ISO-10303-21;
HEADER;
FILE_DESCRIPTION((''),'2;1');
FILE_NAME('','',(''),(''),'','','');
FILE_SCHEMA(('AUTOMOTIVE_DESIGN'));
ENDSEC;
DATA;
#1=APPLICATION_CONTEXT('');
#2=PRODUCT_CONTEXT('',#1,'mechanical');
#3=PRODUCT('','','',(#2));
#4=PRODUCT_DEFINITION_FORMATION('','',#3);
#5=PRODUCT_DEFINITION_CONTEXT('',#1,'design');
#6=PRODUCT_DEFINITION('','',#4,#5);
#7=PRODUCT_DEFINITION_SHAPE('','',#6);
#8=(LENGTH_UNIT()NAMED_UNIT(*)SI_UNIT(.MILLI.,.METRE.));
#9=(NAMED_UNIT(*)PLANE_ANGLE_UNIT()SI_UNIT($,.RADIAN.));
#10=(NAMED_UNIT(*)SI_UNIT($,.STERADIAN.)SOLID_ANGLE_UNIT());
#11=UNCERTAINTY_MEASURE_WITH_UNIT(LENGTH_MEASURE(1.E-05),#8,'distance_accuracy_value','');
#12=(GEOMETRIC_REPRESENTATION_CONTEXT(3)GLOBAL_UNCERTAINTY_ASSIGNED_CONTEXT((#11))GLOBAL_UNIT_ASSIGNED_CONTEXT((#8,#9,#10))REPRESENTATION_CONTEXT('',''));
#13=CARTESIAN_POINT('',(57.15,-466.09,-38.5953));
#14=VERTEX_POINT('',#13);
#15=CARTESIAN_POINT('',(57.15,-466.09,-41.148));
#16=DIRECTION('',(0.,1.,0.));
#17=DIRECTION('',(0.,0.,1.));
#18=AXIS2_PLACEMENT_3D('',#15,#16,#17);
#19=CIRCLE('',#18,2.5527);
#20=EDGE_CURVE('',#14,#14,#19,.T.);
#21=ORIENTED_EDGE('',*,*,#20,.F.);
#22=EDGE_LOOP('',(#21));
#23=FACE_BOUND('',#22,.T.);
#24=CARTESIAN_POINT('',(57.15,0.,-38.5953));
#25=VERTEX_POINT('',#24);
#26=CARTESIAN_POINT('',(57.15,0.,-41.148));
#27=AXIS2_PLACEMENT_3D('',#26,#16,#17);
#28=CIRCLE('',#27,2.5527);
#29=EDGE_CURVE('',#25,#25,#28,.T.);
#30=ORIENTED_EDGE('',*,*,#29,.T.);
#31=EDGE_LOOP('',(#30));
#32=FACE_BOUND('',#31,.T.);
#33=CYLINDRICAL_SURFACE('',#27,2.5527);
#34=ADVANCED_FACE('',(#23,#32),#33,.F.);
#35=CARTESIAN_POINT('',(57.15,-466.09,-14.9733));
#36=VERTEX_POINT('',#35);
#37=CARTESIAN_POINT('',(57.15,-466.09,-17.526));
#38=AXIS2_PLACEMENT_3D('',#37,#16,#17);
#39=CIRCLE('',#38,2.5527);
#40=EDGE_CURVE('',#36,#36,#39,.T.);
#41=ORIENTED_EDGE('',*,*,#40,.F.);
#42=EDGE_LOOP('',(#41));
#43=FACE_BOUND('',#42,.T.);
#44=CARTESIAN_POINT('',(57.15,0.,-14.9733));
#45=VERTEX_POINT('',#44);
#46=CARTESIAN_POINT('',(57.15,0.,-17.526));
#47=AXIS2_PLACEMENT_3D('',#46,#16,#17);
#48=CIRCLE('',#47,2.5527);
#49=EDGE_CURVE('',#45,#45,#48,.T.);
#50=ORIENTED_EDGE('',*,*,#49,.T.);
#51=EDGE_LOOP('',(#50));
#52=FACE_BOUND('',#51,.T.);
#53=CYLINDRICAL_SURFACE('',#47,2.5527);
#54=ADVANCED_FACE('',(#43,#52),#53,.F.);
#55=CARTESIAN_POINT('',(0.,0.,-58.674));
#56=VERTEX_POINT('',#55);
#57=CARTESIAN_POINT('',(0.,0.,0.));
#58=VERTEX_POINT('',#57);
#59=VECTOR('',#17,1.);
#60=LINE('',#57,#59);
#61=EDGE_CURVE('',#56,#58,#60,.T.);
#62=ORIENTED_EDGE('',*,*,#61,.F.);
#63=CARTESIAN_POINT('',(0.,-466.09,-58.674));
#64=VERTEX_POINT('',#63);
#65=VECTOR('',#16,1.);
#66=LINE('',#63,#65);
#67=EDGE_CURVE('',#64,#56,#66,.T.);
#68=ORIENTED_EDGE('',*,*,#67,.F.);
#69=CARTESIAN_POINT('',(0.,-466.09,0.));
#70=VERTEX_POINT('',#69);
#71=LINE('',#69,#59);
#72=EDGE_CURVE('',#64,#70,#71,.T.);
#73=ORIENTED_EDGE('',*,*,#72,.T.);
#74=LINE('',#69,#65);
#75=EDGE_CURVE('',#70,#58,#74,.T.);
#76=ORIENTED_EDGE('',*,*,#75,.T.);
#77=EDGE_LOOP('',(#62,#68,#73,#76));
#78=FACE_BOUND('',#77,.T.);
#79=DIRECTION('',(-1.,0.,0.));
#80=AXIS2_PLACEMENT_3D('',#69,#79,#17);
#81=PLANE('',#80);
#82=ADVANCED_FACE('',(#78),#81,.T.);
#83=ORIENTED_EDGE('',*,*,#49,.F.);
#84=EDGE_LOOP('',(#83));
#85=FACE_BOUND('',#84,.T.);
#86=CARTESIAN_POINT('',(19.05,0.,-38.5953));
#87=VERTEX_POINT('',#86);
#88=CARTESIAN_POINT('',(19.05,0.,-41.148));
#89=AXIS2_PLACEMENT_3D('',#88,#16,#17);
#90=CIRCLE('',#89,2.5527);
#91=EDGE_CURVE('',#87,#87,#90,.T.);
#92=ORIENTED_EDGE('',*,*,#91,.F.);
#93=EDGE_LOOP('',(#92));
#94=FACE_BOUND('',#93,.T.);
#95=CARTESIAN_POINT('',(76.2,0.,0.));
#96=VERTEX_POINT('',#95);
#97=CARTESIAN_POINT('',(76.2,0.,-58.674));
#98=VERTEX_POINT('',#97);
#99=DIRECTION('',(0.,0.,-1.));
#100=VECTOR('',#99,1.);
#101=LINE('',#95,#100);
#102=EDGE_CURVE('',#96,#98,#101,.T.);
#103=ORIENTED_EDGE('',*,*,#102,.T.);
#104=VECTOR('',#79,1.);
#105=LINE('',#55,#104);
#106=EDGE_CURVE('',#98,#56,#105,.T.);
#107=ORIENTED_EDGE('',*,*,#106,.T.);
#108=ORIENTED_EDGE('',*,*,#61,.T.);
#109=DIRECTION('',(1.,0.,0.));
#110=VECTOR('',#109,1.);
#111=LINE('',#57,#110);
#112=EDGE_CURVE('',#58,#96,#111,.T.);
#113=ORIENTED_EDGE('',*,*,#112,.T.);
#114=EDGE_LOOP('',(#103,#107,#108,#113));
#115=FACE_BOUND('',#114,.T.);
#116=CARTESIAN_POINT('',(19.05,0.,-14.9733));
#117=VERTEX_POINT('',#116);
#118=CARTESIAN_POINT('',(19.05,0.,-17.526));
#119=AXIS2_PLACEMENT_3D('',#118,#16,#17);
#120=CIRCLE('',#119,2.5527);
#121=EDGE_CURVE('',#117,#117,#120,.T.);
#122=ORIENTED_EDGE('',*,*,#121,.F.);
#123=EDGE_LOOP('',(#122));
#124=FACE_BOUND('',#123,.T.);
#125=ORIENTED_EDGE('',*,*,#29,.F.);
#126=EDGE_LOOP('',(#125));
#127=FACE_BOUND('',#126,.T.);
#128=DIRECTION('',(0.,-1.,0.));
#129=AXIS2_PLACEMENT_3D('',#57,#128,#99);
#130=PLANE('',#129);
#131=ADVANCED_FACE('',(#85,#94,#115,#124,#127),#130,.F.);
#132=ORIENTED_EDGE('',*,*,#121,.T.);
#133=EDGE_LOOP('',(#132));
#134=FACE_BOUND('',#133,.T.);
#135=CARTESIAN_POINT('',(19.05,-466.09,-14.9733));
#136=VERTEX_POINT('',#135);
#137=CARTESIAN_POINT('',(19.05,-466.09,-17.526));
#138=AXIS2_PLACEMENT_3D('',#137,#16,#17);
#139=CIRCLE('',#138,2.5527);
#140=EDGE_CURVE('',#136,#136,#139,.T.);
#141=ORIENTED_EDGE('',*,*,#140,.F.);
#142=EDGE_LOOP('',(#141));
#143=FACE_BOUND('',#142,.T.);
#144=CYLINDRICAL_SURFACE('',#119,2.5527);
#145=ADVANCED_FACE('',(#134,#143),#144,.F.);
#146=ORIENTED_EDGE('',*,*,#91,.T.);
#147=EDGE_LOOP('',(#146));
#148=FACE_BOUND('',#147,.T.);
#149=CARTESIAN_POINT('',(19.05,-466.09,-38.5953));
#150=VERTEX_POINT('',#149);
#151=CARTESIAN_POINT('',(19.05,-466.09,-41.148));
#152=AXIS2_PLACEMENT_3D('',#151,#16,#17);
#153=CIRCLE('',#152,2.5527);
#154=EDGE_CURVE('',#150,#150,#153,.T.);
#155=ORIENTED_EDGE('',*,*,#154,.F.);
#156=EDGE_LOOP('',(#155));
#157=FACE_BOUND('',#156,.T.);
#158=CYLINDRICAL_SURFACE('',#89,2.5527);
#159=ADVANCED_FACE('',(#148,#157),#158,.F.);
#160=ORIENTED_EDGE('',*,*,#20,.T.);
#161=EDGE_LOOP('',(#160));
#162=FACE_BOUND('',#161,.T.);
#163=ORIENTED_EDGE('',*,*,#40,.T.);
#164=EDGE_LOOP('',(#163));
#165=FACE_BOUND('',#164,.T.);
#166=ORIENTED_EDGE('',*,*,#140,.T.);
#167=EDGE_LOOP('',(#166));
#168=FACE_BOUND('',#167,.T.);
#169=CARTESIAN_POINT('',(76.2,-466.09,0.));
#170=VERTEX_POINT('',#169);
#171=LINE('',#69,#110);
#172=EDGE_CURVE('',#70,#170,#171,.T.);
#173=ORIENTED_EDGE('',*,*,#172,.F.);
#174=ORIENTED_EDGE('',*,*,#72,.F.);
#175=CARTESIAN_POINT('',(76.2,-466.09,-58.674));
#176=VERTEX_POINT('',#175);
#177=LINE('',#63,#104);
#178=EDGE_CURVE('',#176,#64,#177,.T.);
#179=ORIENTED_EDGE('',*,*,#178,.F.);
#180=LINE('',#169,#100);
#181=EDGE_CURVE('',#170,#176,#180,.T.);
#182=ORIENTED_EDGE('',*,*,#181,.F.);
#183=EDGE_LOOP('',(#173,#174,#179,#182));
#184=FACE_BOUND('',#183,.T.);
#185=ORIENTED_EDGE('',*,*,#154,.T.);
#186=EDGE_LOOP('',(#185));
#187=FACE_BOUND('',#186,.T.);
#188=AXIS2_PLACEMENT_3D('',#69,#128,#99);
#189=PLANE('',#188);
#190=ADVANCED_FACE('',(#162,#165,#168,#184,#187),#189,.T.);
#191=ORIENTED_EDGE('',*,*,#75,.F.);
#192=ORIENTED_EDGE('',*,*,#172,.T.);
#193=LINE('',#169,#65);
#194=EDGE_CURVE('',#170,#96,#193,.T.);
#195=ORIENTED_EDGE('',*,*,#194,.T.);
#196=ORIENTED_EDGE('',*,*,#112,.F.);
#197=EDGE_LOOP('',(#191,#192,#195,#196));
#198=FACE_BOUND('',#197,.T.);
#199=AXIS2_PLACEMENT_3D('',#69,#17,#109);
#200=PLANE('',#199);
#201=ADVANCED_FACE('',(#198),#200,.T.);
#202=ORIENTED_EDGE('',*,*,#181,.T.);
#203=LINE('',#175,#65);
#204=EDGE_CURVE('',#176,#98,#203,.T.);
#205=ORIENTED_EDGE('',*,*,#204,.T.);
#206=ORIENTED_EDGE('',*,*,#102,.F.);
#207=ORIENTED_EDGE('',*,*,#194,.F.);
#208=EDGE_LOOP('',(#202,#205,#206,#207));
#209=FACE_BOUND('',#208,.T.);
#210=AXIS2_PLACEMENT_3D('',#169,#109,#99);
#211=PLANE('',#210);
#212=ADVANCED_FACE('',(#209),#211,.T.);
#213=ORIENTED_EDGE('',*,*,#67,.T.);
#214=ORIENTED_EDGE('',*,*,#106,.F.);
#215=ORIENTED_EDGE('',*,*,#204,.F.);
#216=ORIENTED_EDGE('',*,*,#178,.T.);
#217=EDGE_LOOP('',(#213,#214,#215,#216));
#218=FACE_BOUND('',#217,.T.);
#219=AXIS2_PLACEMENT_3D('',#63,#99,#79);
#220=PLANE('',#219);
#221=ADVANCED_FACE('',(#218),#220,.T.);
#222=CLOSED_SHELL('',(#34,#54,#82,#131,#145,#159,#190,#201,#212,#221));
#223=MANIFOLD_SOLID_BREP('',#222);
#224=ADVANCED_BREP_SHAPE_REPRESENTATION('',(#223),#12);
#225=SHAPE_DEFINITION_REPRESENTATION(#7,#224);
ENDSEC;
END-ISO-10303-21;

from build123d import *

# Parameters (mm, degrees)
SKETCH1_W               = 76.2
SKETCH1_H               = 58.674
BOSS_EXTRUDE1_DEPTH     = 466.09
F_1_4_20_TAPPED_HOLE1_D = 5.1054


with BuildPart() as part:
    # Sketch1 → Boss-Extrude1 (new body)
    with BuildSketch(Plane(origin=(0, 0, 0), x_dir=(1, 0, 0), z_dir=(0, 1, 0))):
        with Locations((38.1, 29.337)):
            Rectangle(SKETCH1_W, SKETCH1_H)
    extrude(amount=-BOSS_EXTRUDE1_DEPTH)

    # 1/4-20 Tapped Hole1 (through all)
    with Locations(Plane(origin=(57.15, 0, -41.148), x_dir=(0, 0, 1), z_dir=(0, 1, 0))):
        with Locations((0, 0), (23.622, 0), (0, -38.1), (23.622, -38.1), (-79.662554242, -14.323198742)):
            Hole(F_1_4_20_TAPPED_HOLE1_D / 2)


solid = part.part
